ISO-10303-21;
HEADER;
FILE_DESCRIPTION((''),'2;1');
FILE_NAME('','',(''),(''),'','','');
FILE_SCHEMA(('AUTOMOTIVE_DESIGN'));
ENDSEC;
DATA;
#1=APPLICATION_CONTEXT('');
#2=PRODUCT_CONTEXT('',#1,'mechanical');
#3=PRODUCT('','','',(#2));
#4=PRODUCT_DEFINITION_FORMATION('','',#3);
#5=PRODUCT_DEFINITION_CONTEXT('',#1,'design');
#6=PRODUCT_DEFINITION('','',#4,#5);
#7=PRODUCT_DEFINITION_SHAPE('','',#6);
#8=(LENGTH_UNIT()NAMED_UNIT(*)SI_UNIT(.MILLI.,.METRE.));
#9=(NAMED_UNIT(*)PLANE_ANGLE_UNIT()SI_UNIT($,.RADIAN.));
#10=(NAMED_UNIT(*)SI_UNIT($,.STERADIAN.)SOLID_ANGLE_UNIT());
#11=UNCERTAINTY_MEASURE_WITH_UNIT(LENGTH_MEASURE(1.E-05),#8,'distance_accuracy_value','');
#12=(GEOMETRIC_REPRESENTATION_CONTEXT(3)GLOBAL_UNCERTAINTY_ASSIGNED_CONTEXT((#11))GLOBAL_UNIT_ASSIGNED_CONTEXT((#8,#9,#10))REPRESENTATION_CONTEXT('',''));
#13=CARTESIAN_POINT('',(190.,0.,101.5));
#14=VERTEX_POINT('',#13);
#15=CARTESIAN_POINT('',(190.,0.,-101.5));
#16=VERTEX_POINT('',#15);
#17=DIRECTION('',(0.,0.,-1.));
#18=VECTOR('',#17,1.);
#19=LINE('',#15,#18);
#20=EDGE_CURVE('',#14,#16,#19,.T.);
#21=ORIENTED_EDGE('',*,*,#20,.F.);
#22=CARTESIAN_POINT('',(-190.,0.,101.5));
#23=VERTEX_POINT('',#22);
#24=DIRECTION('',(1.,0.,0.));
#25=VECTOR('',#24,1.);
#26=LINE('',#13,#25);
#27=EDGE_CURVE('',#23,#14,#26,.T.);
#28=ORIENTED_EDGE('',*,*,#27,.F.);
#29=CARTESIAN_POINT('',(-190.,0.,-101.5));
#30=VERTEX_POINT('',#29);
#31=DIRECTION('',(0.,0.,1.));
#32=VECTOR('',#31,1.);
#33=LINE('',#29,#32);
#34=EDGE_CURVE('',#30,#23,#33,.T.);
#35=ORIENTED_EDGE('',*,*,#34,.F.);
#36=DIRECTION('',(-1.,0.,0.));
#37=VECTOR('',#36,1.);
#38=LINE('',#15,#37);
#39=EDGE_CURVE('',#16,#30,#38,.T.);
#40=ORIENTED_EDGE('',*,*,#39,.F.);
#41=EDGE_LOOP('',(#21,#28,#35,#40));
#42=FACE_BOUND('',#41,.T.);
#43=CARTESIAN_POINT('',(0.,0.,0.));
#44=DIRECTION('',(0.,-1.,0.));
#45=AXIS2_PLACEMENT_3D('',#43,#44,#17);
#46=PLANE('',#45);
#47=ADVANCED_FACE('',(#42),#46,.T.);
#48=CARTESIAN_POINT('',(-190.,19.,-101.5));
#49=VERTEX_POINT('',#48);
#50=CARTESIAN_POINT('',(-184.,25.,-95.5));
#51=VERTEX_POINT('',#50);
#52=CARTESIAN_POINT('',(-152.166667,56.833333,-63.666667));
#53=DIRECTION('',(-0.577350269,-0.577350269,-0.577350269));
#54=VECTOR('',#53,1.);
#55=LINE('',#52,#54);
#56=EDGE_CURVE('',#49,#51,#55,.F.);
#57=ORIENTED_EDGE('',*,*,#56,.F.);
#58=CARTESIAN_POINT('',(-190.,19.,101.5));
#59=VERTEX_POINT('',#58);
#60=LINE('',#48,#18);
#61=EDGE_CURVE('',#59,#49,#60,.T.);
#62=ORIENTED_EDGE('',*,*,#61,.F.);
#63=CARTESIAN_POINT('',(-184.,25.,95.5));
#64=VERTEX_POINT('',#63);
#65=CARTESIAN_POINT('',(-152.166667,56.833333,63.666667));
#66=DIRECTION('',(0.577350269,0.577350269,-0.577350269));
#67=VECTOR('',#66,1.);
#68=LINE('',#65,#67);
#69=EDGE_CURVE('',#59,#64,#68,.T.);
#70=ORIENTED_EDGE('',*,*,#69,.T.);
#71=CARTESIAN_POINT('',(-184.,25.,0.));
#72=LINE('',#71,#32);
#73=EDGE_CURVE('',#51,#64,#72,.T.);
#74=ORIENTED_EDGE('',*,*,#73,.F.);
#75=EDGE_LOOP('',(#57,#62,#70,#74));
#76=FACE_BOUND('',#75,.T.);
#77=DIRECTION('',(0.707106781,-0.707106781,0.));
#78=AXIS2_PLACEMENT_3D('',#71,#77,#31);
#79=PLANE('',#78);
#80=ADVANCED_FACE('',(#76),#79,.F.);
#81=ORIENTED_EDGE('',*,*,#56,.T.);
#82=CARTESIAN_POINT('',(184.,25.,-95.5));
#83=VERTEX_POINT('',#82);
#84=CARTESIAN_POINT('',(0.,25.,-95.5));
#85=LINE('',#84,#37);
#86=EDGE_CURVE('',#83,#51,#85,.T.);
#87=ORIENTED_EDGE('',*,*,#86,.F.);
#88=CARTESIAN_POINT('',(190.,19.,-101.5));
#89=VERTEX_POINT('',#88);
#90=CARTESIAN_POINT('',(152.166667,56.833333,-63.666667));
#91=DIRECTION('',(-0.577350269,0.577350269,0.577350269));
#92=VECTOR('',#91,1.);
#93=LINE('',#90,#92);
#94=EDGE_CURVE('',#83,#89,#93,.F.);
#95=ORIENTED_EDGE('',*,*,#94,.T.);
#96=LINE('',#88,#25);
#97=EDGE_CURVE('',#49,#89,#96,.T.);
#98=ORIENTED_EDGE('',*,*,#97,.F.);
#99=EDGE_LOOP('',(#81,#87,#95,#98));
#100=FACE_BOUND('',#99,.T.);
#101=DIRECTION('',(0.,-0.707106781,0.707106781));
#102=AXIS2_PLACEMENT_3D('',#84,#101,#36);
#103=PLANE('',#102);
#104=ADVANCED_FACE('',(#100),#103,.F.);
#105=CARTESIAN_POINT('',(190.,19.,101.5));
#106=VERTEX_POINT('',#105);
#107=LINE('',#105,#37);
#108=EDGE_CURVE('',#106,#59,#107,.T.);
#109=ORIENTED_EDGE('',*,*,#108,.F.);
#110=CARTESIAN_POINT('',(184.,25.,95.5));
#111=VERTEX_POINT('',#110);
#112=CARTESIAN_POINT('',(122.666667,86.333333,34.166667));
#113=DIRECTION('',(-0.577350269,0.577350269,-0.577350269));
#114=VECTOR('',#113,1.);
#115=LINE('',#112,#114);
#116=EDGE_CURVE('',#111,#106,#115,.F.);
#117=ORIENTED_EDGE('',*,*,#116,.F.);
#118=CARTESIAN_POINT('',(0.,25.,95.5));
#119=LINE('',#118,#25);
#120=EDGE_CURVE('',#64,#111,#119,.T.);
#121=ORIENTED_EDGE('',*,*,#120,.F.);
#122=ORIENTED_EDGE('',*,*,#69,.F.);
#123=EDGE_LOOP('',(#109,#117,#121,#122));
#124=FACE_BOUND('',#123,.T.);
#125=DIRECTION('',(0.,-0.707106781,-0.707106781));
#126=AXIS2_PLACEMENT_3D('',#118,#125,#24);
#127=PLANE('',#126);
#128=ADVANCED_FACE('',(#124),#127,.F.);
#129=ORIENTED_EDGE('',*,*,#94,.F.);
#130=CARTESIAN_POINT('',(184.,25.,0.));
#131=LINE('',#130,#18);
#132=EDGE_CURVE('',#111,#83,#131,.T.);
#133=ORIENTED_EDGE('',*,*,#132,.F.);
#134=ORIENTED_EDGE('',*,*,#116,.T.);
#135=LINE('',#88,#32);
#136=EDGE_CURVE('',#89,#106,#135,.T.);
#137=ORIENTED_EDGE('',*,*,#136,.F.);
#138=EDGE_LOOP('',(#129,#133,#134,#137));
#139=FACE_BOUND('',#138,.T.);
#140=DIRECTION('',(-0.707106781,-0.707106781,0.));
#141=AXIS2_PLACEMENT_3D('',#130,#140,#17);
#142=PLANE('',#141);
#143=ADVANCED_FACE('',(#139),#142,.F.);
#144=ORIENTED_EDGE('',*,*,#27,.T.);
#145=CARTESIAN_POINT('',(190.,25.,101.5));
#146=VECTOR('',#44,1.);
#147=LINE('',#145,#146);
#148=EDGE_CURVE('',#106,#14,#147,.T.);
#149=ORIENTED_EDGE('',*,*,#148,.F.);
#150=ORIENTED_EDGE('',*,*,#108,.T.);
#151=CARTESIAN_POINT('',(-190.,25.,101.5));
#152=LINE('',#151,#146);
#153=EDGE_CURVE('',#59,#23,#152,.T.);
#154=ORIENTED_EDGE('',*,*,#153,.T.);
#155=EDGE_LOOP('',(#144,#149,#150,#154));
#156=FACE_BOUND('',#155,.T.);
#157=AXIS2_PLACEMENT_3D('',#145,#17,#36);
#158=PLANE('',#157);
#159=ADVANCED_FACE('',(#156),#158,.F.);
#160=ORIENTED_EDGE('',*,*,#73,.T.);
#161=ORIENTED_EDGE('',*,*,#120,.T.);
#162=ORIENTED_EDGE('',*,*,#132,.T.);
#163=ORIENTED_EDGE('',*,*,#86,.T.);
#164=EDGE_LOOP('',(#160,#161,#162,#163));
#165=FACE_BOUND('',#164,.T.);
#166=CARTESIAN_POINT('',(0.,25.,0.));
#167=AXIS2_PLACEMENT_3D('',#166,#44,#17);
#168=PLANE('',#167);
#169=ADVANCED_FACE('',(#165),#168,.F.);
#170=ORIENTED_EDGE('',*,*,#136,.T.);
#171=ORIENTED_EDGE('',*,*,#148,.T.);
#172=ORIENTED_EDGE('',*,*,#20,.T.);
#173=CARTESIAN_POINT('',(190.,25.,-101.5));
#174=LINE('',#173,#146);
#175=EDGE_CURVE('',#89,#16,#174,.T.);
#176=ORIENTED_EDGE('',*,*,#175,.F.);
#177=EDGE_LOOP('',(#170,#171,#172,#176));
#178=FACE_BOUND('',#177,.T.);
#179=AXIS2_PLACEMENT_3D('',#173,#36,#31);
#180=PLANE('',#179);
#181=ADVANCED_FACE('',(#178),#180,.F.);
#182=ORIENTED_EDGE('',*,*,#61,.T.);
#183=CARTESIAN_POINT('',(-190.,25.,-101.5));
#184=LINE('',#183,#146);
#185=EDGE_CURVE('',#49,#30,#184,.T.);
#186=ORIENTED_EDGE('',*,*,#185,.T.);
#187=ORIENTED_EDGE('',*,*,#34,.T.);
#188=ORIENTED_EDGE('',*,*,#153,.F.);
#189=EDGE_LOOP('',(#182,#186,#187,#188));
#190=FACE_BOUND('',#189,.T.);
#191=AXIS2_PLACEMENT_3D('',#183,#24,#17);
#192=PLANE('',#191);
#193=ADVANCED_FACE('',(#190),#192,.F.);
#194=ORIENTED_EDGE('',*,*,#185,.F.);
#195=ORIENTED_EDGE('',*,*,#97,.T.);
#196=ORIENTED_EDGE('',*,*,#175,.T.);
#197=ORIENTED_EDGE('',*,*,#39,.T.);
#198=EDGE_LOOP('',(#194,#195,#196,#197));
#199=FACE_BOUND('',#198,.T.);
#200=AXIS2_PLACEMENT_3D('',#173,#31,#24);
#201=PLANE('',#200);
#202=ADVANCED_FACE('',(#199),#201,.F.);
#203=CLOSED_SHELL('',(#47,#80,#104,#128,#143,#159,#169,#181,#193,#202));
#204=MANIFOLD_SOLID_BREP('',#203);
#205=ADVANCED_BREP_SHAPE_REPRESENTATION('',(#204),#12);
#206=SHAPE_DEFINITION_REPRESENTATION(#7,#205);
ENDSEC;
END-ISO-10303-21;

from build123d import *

# Parameters (mm, degrees)
SKETCH1_W           = 380
SKETCH1_H           = 203
BOSS_EXTRUDE1_DEPTH = 25
CHAMFER1_SIZE       = 6


with BuildPart() as part:
    # Sketch1 → Boss-Extrude1 (new body)
    with BuildSketch(Plane(origin=(0, 0, 0), x_dir=(1, 0, 0), z_dir=(0, 1, 0))):
        Rectangle(SKETCH1_W, SKETCH1_H)
    extrude(amount=BOSS_EXTRUDE1_DEPTH)

    # Chamfer1
    chamfer1_edges = [part.edges().sort_by_distance(p)[0] for p in [
        (190, 25, 0),
        (0, 25, -101.5),
        (-190, 25, 0),
        (0, 25, 101.5),
    ]]
    chamfer(chamfer1_edges, length=CHAMFER1_SIZE)


solid = part.part
